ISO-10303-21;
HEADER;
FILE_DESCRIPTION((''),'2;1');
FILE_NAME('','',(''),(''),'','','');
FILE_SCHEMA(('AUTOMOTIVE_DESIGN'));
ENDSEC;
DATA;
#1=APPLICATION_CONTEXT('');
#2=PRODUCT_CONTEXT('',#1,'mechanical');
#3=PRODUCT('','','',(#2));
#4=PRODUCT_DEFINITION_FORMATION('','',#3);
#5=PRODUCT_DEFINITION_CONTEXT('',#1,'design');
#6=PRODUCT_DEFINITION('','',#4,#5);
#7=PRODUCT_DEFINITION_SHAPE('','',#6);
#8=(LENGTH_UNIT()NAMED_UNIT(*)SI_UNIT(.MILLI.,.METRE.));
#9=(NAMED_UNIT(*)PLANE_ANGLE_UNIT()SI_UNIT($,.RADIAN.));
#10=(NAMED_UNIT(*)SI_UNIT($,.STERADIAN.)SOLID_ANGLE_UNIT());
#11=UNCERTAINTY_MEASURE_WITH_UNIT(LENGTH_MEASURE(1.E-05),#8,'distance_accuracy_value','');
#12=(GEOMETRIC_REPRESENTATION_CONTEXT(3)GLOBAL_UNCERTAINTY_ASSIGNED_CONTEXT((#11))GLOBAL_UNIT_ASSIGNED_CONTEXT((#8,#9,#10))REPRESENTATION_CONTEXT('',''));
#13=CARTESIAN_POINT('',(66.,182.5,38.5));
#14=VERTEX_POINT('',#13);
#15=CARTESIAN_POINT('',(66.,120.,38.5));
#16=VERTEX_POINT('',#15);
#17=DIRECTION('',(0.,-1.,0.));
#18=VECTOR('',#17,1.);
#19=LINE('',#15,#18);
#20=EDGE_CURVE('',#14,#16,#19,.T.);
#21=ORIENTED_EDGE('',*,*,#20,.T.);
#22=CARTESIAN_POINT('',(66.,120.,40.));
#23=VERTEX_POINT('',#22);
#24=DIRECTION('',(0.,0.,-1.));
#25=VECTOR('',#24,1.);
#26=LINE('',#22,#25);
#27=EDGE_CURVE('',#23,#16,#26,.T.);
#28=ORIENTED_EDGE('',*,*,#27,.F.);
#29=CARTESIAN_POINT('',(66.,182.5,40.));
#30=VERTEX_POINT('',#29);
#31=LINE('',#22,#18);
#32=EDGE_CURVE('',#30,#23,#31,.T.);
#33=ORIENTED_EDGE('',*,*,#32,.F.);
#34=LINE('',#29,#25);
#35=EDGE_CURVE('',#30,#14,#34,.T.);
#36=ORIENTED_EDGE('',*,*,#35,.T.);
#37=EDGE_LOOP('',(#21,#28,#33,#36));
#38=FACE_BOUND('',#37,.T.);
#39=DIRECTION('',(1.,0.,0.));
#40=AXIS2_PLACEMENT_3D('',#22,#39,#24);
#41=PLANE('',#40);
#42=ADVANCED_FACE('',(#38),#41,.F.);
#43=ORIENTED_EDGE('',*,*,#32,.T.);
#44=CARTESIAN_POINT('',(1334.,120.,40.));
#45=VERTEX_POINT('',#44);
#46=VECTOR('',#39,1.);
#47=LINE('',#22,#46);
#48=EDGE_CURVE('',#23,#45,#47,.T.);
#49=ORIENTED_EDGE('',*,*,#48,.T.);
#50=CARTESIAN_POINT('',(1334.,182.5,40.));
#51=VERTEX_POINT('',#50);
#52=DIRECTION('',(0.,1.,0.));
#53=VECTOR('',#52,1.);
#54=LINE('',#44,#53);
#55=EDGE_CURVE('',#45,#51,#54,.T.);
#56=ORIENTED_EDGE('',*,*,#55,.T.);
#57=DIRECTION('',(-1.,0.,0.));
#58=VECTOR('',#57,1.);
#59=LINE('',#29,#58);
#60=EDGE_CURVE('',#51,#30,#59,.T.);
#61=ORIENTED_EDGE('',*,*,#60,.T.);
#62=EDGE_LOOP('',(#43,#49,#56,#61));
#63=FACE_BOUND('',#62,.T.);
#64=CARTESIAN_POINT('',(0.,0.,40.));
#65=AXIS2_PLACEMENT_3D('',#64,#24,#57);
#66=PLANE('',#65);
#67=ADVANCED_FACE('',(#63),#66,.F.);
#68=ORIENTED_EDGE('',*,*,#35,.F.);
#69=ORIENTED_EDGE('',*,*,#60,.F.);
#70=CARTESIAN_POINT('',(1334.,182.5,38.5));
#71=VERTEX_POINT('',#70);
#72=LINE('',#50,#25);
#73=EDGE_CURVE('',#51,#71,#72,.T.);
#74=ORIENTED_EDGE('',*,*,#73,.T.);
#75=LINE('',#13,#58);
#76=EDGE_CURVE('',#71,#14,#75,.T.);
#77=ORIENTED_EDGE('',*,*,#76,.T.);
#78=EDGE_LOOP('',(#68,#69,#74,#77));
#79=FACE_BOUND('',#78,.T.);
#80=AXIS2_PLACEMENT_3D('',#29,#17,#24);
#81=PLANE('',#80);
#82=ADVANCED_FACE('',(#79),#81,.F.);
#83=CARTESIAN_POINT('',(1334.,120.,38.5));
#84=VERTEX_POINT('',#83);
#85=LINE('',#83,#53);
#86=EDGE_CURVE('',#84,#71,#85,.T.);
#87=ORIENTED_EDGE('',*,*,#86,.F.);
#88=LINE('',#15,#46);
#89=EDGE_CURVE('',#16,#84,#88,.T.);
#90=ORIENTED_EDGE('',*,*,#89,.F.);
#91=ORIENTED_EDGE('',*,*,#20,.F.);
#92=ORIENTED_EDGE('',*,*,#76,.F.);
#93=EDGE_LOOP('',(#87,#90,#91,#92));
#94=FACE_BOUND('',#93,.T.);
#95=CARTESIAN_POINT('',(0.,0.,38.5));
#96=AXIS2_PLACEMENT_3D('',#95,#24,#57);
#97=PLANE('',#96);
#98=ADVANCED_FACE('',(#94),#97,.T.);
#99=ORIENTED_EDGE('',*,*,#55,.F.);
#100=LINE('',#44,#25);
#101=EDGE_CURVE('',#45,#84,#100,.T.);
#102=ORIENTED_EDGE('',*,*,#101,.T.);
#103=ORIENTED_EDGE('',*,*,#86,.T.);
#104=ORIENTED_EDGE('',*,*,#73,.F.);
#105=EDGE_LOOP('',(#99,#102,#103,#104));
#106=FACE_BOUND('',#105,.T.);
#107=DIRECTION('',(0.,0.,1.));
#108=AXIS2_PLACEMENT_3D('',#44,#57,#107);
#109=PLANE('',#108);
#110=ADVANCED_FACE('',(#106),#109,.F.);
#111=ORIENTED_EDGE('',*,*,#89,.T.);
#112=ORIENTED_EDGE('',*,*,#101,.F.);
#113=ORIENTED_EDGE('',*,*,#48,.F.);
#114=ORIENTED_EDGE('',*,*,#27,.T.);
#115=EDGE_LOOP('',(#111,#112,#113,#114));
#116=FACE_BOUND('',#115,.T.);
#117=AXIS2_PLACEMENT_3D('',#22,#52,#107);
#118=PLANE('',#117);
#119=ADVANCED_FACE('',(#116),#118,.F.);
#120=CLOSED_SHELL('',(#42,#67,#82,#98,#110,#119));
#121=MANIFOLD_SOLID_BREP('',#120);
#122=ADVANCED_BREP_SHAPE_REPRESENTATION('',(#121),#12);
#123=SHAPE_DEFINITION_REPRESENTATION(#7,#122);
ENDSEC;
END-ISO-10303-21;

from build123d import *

# Parameters (mm, degrees)
STORE_PANEL_BANT_ALT_1_START = 38.5
SKETCH1_W                    = 1268
SKETCH1_H                    = 62.5
STORE_PANEL_BANT_ALT_1_DEPTH = 1.5


with BuildPart() as part:
    # Sketch1 → STORE_panel_bant_alt_1 (new body)
    with BuildSketch(Plane.XY.offset(STORE_PANEL_BANT_ALT_1_START)):
        with Locations((700, 151.25)):
            Rectangle(SKETCH1_W, SKETCH1_H)
    extrude(amount=STORE_PANEL_BANT_ALT_1_DEPTH)


solid = part.part
